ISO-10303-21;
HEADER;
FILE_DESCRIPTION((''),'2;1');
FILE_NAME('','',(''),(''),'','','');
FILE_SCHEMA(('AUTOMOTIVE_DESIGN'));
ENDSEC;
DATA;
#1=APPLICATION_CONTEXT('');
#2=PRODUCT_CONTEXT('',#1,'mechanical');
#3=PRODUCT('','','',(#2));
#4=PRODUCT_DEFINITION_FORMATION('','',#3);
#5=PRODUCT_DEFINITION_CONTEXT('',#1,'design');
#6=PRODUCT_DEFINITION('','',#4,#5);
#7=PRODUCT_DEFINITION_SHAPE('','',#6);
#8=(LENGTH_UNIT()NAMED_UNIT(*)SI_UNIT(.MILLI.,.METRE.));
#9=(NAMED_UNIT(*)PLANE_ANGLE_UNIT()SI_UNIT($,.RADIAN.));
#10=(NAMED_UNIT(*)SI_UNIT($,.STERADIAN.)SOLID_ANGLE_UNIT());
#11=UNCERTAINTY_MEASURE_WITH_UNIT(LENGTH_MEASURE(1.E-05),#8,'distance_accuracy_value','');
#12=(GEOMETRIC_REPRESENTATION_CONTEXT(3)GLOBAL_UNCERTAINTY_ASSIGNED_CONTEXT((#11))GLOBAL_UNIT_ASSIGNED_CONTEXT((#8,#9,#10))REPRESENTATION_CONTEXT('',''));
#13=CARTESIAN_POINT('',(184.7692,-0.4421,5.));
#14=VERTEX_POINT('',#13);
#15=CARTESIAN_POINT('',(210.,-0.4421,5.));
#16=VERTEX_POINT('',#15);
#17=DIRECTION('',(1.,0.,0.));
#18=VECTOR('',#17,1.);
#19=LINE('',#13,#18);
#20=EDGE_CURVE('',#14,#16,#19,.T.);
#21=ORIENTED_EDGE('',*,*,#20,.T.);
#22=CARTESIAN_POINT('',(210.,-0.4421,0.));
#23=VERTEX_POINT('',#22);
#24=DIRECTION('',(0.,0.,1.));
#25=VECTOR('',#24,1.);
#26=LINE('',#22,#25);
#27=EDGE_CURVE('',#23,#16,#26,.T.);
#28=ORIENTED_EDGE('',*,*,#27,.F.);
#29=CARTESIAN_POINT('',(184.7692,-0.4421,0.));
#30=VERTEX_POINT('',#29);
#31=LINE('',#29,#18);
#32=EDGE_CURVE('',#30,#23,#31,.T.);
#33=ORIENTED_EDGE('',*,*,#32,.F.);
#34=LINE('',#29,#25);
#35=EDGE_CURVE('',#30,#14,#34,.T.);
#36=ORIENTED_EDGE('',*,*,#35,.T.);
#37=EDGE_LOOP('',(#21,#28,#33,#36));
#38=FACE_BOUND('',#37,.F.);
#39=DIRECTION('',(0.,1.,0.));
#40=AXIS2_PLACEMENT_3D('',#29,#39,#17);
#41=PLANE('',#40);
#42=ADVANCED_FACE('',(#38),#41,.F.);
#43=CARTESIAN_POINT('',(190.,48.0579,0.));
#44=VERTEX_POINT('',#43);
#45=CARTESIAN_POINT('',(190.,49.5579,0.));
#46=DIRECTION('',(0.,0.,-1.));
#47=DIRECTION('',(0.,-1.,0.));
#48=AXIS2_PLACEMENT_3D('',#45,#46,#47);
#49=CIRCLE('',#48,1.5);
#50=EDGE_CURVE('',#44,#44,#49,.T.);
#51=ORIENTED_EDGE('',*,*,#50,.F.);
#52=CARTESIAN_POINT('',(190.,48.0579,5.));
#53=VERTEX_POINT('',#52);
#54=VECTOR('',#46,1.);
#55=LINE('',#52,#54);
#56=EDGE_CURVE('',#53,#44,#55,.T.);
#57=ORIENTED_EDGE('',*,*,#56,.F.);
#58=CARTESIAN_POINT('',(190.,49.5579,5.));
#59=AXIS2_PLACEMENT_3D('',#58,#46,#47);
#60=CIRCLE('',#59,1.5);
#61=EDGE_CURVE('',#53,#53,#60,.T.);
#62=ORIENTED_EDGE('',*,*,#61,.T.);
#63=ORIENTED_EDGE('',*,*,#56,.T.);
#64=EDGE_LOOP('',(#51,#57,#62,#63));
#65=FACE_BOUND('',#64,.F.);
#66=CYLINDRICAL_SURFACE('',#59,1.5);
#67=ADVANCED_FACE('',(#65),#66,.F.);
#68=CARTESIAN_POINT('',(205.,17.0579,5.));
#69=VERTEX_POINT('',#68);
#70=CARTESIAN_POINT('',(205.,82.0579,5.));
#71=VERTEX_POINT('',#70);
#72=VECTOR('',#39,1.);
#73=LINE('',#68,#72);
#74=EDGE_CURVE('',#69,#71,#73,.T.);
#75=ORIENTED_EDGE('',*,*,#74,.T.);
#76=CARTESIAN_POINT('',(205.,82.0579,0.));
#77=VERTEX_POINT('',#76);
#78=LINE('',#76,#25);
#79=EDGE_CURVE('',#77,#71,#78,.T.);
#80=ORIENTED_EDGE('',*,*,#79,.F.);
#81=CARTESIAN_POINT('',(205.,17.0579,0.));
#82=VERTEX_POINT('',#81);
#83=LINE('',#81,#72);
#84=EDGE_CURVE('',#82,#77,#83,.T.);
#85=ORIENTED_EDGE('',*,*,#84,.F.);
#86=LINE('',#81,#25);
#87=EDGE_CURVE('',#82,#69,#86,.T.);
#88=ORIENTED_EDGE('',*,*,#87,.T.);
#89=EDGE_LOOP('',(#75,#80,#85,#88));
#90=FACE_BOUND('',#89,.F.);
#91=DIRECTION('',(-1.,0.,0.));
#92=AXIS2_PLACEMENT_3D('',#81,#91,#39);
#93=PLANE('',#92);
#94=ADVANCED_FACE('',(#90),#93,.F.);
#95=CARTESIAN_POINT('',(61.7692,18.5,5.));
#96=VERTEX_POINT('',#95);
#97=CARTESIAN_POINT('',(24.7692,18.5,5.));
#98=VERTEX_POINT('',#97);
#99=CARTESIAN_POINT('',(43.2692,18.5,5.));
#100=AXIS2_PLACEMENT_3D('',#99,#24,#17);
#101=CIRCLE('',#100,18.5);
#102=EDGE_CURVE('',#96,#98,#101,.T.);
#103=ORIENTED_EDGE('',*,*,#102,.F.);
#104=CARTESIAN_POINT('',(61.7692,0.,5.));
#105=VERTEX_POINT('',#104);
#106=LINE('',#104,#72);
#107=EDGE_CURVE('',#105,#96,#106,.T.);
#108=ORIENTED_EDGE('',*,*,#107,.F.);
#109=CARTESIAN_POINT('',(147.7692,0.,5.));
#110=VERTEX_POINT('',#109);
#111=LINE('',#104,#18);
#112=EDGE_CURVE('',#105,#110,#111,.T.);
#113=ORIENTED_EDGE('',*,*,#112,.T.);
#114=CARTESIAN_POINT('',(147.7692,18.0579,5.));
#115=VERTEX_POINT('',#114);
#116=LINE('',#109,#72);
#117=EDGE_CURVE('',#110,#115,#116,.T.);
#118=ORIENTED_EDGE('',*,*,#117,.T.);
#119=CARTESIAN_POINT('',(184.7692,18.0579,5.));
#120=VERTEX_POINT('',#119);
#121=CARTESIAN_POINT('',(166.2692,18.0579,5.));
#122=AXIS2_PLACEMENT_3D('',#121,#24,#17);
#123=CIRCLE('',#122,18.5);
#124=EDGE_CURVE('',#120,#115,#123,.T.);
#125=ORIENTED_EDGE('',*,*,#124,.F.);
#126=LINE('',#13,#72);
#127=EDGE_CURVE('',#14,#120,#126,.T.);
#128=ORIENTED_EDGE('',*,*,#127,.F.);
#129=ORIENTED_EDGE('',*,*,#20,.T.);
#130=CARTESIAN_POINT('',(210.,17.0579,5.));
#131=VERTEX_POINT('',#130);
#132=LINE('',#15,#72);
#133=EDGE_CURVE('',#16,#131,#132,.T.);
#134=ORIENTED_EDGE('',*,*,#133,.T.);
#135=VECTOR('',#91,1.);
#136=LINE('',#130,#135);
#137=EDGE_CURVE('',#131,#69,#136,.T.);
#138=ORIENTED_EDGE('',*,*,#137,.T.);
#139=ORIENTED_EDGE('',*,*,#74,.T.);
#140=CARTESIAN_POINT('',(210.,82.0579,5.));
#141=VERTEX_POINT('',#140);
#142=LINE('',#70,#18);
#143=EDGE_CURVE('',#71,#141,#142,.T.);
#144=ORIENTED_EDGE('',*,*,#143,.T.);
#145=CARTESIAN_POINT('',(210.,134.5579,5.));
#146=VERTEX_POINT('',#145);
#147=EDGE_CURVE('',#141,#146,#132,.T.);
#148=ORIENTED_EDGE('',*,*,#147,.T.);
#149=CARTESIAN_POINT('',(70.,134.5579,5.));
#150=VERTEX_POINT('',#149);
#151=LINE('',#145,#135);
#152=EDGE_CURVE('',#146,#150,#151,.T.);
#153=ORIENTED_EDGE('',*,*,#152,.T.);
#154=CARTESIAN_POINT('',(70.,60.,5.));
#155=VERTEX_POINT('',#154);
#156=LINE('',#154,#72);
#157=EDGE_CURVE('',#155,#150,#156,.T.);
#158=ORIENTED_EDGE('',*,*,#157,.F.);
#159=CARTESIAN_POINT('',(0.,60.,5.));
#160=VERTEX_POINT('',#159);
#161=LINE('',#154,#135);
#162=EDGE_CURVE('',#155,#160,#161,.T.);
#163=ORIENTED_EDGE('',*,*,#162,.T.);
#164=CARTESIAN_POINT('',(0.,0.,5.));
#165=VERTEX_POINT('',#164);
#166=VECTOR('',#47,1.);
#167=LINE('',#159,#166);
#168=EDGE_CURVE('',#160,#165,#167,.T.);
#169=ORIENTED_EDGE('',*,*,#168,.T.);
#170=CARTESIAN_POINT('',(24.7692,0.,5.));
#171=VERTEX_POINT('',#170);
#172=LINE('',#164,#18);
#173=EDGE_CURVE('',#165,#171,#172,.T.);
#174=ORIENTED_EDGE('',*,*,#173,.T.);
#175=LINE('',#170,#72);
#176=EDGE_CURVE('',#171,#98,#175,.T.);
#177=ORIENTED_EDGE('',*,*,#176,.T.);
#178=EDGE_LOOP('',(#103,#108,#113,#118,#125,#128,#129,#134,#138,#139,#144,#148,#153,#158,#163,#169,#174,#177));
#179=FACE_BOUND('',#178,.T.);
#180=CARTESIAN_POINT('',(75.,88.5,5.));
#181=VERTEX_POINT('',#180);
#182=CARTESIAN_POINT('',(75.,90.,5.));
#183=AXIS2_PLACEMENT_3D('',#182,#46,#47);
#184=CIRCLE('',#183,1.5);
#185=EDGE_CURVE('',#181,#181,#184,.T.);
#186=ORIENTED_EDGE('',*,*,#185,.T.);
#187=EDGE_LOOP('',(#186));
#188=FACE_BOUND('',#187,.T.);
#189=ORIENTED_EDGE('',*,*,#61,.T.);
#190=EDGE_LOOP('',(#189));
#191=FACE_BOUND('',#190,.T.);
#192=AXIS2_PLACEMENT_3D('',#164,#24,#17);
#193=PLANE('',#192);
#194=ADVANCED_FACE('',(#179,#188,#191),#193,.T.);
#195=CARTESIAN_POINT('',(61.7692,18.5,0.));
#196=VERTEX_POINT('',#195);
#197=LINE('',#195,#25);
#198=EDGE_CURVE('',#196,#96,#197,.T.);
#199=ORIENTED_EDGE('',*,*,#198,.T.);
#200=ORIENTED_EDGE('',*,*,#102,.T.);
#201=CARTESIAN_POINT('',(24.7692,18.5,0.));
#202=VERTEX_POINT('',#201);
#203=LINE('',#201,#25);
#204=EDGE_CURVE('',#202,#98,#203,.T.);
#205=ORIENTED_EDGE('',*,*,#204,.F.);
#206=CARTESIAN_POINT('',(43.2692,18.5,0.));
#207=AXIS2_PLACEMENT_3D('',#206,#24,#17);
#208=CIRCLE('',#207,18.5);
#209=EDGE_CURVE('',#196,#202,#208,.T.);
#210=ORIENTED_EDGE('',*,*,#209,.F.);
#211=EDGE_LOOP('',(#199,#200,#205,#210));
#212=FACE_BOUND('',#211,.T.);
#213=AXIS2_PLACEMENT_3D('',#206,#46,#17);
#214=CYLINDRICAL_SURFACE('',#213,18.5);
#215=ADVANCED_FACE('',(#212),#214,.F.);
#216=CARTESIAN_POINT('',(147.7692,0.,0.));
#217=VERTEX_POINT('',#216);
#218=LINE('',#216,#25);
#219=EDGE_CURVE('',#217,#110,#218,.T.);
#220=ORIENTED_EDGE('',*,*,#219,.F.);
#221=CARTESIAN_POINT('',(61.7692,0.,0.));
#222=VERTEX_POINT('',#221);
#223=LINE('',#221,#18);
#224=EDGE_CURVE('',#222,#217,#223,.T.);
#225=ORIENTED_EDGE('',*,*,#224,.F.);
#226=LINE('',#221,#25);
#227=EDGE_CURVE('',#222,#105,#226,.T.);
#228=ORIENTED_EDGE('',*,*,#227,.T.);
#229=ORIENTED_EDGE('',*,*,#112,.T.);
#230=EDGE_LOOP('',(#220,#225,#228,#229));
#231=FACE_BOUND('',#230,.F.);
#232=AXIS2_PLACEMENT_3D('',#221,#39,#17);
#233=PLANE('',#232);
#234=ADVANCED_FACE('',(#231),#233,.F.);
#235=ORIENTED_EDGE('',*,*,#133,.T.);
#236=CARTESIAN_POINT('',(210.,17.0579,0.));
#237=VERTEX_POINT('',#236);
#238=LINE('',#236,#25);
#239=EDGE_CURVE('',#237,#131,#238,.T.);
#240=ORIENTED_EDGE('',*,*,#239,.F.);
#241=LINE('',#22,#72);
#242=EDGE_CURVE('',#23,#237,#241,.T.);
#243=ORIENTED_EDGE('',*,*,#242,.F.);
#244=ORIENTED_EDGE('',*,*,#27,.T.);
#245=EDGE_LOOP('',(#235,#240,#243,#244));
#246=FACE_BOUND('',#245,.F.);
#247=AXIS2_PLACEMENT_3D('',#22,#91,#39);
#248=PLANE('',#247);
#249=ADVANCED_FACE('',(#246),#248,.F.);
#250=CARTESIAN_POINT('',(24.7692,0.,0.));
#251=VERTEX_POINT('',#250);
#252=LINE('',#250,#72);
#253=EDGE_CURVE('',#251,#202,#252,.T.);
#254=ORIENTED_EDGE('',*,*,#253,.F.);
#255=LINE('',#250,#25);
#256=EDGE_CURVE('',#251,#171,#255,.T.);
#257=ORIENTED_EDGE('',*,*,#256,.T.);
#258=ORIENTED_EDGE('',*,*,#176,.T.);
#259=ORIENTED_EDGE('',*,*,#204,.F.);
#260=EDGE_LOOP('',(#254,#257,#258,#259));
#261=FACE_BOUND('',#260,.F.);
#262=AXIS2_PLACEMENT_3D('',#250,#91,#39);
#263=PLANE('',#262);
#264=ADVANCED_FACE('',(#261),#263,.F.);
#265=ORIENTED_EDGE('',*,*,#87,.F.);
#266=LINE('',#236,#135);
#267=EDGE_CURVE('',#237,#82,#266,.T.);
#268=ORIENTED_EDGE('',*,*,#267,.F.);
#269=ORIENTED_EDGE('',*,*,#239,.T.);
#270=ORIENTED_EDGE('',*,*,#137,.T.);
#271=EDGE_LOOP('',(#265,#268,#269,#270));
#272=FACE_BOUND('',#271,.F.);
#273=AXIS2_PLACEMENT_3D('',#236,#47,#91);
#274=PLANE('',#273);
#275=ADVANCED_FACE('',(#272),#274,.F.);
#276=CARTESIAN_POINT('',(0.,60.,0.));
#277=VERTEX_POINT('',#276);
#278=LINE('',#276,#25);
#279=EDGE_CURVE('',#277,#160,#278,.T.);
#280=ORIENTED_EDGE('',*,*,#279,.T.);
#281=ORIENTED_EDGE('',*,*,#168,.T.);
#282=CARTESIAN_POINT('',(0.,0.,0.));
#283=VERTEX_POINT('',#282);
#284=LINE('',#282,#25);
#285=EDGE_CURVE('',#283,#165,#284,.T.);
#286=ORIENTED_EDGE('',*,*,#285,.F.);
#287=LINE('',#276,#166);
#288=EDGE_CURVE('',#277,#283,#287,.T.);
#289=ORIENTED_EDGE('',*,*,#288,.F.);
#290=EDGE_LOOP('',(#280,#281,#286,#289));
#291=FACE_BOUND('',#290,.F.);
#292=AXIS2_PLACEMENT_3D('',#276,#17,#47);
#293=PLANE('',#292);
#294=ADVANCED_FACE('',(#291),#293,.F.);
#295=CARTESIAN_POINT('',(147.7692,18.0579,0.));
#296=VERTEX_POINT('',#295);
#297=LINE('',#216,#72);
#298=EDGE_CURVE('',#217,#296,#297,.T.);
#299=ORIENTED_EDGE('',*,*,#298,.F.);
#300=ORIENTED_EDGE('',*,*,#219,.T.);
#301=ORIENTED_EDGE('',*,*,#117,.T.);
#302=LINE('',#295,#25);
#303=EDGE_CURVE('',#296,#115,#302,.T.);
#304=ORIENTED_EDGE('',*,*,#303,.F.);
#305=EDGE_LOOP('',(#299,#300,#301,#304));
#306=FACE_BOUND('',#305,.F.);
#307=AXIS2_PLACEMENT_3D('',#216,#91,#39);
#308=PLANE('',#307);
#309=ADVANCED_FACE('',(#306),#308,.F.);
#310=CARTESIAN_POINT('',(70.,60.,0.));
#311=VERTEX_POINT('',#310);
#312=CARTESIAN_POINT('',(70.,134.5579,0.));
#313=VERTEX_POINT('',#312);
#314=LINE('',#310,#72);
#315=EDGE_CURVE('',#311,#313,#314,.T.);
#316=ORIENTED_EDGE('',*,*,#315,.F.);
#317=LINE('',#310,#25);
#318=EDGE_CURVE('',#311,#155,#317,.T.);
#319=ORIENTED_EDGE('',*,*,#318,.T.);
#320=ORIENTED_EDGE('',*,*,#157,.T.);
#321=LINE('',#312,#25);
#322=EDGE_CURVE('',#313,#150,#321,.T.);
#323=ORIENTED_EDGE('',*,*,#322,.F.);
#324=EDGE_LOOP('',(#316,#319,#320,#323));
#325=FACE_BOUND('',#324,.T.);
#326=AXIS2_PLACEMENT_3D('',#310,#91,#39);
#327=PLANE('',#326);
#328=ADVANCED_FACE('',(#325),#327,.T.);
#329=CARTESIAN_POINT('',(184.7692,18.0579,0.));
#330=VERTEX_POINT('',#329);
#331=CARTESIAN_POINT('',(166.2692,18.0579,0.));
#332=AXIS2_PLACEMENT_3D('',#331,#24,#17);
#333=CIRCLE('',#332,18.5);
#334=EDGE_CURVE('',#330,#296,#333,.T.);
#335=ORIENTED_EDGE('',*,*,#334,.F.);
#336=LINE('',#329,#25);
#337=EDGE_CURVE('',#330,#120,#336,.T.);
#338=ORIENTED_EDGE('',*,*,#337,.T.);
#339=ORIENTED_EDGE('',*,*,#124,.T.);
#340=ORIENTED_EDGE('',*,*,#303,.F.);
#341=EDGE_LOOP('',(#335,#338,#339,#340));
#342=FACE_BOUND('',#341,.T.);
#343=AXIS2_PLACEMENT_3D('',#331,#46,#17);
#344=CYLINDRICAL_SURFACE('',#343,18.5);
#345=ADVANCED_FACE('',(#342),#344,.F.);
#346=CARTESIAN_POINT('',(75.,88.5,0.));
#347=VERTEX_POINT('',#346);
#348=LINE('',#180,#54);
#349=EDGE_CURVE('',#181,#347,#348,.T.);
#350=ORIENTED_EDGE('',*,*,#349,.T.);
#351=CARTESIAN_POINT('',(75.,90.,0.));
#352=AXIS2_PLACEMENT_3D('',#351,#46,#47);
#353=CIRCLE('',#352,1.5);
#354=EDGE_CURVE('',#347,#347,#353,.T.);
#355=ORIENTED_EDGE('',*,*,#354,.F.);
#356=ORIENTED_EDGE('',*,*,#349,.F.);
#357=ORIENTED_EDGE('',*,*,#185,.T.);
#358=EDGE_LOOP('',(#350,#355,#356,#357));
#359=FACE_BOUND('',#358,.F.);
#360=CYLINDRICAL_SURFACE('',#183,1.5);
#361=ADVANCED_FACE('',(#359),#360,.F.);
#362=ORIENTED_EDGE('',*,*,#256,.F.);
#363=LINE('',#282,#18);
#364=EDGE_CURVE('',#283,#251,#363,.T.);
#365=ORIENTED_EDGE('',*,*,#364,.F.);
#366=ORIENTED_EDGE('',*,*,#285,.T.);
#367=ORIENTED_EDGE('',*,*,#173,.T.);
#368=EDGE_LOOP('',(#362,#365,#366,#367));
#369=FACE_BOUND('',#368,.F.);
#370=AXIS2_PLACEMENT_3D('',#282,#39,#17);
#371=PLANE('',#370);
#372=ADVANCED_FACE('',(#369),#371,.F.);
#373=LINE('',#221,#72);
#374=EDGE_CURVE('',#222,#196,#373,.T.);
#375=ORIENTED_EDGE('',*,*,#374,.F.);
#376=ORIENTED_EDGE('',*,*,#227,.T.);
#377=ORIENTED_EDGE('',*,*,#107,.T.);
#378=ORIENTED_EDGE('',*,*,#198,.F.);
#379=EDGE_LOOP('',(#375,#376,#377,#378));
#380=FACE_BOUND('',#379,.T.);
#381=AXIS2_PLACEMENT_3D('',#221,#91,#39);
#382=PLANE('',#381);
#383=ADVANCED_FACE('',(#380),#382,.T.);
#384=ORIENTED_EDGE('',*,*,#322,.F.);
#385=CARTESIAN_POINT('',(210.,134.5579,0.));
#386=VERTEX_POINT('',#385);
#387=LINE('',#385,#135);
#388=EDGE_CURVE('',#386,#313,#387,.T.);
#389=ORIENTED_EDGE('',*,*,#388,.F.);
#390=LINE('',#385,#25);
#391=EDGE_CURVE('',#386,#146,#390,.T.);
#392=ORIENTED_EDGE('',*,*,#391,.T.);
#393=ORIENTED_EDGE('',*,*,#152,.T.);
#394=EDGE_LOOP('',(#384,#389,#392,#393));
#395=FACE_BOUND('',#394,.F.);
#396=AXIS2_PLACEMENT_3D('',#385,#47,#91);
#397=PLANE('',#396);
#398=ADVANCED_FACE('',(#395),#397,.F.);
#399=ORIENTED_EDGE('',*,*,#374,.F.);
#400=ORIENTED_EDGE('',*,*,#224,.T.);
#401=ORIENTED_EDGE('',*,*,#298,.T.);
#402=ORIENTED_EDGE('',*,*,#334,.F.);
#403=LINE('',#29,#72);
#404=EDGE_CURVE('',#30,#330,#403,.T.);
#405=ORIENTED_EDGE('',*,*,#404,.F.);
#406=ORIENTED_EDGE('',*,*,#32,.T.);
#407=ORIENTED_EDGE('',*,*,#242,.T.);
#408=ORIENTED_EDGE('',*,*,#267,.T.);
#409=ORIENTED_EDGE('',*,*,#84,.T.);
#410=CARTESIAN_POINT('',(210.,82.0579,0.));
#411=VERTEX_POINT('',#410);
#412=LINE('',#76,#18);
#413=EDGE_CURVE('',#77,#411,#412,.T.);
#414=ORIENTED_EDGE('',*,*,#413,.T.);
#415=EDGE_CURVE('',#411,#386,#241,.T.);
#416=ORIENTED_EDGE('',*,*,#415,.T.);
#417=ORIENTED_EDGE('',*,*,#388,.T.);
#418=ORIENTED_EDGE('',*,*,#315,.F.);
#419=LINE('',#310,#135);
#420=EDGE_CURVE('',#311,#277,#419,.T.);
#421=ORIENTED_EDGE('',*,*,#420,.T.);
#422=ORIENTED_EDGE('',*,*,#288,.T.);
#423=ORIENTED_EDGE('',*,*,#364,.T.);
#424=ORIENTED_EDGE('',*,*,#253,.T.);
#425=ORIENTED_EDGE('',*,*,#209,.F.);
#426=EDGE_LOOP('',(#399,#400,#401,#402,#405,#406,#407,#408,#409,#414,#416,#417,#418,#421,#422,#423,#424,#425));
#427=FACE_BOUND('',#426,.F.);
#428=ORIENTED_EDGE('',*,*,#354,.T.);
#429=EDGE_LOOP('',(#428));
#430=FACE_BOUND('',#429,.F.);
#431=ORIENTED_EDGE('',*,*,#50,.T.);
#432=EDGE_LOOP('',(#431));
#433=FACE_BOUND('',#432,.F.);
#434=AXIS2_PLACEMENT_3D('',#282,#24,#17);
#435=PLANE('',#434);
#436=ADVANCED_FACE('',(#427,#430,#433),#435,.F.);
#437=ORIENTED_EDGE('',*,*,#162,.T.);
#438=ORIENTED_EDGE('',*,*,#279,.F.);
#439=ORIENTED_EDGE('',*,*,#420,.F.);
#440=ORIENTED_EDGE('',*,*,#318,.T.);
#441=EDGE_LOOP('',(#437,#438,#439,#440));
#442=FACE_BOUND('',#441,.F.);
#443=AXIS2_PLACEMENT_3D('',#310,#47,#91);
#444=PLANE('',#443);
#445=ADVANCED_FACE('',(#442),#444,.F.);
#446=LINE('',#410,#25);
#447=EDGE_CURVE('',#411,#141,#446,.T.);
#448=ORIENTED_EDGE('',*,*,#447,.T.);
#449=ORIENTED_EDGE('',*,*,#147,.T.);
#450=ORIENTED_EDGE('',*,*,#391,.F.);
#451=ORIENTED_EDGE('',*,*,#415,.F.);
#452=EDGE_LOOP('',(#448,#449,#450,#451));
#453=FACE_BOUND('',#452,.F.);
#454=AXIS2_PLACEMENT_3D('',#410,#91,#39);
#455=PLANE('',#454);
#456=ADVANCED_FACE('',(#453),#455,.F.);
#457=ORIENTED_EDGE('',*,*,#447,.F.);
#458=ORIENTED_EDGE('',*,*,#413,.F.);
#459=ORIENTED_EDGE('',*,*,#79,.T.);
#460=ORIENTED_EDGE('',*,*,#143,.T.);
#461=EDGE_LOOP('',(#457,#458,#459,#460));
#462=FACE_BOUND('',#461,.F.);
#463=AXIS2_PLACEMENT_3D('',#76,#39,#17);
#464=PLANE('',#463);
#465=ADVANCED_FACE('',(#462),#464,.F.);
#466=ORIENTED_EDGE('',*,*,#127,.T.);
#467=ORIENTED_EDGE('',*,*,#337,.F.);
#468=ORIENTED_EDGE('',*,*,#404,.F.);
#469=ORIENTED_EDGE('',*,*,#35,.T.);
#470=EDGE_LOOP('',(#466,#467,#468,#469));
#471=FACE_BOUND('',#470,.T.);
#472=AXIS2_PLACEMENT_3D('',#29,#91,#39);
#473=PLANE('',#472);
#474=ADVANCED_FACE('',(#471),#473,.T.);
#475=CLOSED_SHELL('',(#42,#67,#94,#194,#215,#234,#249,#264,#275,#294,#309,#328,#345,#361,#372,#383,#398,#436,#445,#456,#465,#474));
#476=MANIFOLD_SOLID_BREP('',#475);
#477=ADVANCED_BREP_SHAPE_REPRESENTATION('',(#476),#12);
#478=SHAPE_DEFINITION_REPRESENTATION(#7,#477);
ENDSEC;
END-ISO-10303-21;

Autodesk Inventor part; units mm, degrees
ref_plane "YZ Plane" through (0, 0, 0) normal (1, 0, 0) x (0, 1, 0)
ref_plane "XZ Plane" through (0, 0, 0) normal (0, 1, 0) x (-1, 0, 0)
ref_plane "XY Plane" through (0, 0, 0) normal (0, 0, 1) x (1, 0, 0)
sketch "Sketch1" plane through (0, 0, 0) normal (0, 0, 1) x (1, 0, 0)
  line L0 (210, -0.4421) -> (210, 134.5579)
  line L1 (210, 134.5579) -> (70, 134.5579)
  line L2 (0, 60) -> (0, 0)
  line L3 (70, 60) -> (0, 60)
  line L4 (0, 60) -> (0, 0)
  line L5 (70, 60) -> (70, 134.5579)
  line L6 (0, 0) -> (24.7692, 0)
  line L7 (70, -0.4421) -> (70, 134.5579) construction
  arc A0 (184.7692, 18.0579) -> (147.7692, 18.0579) centre (166.2692, 18.0579) ccw
  line L8 (147.7692, 0) -> (147.7692, 18.0579)
  line L9 (184.7692, -0.4421) -> (184.7692, 18.0579)
  arc A1 (61.7692, 18.5) -> (24.7692, 18.5) centre (43.2692, 18.5) ccw
  line L10 (24.7692, 0) -> (24.7692, 18.5)
  line L11 (61.7692, 0) -> (61.7692, 18.5)
  line L12 (210, 17.0579) -> (205, 17.0579)
  line L13 (205, 17.0579) -> (205, 82.0579)
  line L14 (205, 82.0579) -> (210, 82.0579)
  line L15 (210, 82.0579) -> (210, 17.0579)
  line L16 (184.7692, -0.4421) -> (210, -0.4421)
  line L17 (61.7692, 0) -> (147.7692, 0)
  dimension "d14" = 210
  dimension "d15" = 70
  dimension "d17" = 37
  dimension "d19" = 37
  dimension "d23" = 5
  dimension "d24" = 65
  dimension "d28" = 52.5
  dimension "d48" = 135
  dimension "d51" = 18.5
  dimension "d52" = 18.5
  dimension "d54" = 18.5
  dimension "d55" = 60
  dimension "d60" = 18.5
  dimension "d61" = 123
extrude "Extrusion1" add sketch "Sketch1" along normal blind 5 contours L16 L9 A0 L8 L17 L11 A1 L10 L6 L2 L3 L5 L1 L0 L14 L13 L12
sketch "Sketch2" plane through (0, 0, 5) normal (0, 0, 1) x (1, 0, 0)
  line L0 (205, 17.0579) -> (205, 82.0579) projected
  line L1 (210, 17.0579) -> (205, 17.0579) projected
  point P0 (0, 0)
  point P1 (190, 49.5579)
  dimension "d36" = 15
  dimension "d37" = 32.5
hole "Hole1" at (190, 49.5579, 5) direction (0, 0, -1) diameter 3 end through all
sketch "Sketch3" plane through (0, 0, 5) normal (0, 0, 1) x (1, 0, 0)
  line L0 (70, 134.5579) -> (70, 60) projected
  line L1 (70, 60) -> (0, 60) projected
  point P0 (0, 0)
  point P1 (75, 90)
  dimension "d45" = 5
  dimension "d46" = 30
hole "Hole2" at (75, 90, 5) direction (0, 0, -1) diameter 3 end through all
properties part number "SIDE_1" material "ABS Plastic"
